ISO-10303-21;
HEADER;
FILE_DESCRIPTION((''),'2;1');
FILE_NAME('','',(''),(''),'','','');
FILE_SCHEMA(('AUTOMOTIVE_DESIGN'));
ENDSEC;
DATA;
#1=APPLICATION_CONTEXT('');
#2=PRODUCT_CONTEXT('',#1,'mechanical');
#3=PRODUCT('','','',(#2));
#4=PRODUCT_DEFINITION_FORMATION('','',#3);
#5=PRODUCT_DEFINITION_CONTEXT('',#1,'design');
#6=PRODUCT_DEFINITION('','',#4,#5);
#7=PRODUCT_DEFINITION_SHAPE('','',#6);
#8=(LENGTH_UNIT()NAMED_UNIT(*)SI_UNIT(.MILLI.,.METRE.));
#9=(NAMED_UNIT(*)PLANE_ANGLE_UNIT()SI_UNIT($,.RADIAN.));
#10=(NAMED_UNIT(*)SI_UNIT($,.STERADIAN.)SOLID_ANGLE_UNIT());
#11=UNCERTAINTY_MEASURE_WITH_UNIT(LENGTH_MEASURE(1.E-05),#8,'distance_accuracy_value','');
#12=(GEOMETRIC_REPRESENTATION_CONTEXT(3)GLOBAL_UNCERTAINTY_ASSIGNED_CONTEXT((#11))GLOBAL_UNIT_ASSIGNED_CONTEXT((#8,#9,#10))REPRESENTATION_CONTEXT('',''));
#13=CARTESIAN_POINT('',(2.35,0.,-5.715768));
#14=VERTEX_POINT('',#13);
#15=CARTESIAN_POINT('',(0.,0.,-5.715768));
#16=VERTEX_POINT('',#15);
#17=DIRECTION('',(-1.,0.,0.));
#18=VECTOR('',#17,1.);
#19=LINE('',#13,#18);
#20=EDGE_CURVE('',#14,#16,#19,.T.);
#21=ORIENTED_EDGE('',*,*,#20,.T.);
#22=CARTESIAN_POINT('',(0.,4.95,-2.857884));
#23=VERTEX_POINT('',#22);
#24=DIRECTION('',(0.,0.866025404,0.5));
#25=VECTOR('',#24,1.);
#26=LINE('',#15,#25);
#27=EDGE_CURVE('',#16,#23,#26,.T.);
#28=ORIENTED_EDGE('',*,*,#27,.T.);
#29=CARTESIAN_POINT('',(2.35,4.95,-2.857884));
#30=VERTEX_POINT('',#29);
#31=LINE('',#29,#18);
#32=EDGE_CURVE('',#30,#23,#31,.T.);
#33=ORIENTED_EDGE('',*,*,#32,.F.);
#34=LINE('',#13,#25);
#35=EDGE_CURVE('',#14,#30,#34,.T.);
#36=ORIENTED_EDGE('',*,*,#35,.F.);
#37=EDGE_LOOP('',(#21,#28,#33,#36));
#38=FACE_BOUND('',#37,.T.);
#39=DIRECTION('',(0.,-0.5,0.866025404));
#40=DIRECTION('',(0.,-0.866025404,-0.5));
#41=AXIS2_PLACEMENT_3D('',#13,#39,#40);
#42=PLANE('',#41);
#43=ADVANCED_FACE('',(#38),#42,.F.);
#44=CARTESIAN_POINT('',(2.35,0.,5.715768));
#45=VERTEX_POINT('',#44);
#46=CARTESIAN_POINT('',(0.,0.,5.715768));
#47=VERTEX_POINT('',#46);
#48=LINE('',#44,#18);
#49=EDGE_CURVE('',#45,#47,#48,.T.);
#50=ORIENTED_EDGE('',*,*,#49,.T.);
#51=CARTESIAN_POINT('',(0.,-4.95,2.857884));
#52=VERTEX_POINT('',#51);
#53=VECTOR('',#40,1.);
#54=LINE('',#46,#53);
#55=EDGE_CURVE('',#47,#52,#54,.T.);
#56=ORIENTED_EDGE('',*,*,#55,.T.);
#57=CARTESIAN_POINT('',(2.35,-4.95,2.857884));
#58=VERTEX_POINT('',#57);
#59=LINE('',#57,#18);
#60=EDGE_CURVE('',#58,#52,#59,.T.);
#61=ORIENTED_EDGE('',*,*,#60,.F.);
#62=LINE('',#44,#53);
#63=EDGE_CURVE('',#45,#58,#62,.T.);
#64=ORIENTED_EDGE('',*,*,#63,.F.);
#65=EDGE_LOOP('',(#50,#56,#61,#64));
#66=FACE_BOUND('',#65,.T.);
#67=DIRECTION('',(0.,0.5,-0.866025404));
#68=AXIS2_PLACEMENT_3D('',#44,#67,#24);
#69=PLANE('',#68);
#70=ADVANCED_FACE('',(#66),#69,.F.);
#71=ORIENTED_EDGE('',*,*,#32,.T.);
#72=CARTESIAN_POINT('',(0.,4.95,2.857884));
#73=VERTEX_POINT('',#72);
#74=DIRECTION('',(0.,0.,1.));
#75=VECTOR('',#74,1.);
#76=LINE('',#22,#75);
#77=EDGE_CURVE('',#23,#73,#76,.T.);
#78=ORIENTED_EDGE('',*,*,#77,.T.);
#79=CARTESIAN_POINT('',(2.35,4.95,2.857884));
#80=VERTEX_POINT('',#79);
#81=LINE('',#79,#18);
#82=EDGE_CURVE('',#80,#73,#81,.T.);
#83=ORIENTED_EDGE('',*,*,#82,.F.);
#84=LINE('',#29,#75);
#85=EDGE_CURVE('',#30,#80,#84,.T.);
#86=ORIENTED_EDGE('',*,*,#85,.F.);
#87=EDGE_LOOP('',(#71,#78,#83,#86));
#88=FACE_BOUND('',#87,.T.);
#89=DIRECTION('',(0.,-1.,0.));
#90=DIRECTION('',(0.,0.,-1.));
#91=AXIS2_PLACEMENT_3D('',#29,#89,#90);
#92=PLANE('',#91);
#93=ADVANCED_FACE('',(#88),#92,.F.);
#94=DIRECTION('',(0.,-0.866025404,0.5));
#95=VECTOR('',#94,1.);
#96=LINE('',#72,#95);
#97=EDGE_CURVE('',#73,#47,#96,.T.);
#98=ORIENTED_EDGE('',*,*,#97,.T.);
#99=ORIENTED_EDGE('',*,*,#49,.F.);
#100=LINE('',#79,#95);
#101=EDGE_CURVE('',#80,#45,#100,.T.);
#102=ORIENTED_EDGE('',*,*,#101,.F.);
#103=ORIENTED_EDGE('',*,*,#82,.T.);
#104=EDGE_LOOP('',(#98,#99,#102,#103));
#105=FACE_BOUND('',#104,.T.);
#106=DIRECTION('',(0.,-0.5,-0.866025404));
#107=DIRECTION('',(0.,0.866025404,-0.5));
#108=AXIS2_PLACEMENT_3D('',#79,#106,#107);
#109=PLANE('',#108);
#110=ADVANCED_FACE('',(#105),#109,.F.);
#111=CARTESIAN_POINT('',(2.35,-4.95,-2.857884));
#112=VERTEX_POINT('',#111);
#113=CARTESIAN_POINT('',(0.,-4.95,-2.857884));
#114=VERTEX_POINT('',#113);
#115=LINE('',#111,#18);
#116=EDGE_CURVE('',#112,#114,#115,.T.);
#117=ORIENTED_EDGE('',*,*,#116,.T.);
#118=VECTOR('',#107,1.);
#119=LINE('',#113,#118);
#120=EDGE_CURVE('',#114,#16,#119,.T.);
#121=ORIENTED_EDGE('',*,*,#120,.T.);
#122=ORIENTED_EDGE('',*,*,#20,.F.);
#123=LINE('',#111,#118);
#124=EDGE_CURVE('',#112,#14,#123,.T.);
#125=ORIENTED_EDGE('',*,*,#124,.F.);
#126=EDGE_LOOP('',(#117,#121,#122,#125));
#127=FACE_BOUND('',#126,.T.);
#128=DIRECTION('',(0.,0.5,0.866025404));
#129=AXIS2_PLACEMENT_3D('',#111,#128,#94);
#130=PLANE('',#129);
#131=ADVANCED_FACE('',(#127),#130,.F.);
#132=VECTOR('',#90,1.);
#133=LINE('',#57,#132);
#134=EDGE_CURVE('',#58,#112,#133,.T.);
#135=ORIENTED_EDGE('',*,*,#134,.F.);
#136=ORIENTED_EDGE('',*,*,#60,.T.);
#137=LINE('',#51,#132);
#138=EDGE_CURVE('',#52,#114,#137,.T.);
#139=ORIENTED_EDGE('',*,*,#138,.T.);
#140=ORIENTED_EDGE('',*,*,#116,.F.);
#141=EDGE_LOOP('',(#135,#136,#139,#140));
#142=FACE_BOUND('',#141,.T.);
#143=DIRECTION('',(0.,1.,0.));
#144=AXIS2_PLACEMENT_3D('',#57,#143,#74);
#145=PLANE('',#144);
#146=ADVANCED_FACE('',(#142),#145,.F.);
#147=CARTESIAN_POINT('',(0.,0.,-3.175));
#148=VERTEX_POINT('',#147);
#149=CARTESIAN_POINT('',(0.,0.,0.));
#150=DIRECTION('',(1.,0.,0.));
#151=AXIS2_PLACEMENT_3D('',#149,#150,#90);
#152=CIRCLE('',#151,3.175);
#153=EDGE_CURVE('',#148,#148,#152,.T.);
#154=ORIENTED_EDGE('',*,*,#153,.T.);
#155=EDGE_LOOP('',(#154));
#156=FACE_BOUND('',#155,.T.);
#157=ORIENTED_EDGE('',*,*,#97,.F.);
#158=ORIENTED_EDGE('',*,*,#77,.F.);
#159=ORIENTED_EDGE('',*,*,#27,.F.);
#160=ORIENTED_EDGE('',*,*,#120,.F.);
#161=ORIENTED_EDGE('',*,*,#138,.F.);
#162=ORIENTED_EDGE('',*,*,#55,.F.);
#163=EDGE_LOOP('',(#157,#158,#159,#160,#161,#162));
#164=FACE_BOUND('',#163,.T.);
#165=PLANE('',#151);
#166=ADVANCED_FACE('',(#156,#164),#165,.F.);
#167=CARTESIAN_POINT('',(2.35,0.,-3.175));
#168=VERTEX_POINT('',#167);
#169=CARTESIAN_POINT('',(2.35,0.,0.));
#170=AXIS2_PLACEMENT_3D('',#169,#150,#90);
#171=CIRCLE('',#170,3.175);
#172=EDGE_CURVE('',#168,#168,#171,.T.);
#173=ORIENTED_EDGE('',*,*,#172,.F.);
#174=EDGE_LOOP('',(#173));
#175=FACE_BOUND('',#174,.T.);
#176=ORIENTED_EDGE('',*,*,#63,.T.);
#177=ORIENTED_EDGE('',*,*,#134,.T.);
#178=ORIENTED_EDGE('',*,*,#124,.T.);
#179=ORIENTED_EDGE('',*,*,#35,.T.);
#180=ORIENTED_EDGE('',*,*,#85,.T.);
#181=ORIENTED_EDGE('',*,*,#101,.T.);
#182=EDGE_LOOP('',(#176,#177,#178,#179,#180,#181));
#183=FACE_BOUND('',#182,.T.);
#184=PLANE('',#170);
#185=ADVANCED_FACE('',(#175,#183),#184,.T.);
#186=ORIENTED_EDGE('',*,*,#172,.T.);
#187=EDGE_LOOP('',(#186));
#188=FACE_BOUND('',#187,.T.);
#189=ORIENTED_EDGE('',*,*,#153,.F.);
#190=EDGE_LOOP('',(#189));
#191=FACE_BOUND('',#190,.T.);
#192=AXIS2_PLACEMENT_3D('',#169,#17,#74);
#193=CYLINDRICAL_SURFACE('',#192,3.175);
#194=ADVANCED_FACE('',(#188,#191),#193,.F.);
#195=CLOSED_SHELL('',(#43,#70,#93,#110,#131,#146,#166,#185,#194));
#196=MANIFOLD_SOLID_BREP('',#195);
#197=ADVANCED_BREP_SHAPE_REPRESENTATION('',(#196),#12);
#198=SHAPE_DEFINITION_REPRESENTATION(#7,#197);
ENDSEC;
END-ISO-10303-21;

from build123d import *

# Parameters (mm, degrees)
SKETCH1_R           = 3.175
BOSS_EXTRUDE1_DEPTH = 2.35


with BuildPart() as part:
    # Sketch1 → Boss-Extrude1 (new body)
    with BuildSketch(Plane(origin=(0, 0, 0), x_dir=(0, 0, -1), z_dir=(1, 0, 0))):
        Polygon((5.715767665, 0), (2.857883832, 4.95), (-2.857883832, 4.95), (-5.715767665, 0), (-2.857883832, -4.95), (2.857883832, -4.95), align=None)
        Circle(SKETCH1_R, mode=Mode.SUBTRACT)
    extrude(amount=BOSS_EXTRUDE1_DEPTH)


solid = part.part
